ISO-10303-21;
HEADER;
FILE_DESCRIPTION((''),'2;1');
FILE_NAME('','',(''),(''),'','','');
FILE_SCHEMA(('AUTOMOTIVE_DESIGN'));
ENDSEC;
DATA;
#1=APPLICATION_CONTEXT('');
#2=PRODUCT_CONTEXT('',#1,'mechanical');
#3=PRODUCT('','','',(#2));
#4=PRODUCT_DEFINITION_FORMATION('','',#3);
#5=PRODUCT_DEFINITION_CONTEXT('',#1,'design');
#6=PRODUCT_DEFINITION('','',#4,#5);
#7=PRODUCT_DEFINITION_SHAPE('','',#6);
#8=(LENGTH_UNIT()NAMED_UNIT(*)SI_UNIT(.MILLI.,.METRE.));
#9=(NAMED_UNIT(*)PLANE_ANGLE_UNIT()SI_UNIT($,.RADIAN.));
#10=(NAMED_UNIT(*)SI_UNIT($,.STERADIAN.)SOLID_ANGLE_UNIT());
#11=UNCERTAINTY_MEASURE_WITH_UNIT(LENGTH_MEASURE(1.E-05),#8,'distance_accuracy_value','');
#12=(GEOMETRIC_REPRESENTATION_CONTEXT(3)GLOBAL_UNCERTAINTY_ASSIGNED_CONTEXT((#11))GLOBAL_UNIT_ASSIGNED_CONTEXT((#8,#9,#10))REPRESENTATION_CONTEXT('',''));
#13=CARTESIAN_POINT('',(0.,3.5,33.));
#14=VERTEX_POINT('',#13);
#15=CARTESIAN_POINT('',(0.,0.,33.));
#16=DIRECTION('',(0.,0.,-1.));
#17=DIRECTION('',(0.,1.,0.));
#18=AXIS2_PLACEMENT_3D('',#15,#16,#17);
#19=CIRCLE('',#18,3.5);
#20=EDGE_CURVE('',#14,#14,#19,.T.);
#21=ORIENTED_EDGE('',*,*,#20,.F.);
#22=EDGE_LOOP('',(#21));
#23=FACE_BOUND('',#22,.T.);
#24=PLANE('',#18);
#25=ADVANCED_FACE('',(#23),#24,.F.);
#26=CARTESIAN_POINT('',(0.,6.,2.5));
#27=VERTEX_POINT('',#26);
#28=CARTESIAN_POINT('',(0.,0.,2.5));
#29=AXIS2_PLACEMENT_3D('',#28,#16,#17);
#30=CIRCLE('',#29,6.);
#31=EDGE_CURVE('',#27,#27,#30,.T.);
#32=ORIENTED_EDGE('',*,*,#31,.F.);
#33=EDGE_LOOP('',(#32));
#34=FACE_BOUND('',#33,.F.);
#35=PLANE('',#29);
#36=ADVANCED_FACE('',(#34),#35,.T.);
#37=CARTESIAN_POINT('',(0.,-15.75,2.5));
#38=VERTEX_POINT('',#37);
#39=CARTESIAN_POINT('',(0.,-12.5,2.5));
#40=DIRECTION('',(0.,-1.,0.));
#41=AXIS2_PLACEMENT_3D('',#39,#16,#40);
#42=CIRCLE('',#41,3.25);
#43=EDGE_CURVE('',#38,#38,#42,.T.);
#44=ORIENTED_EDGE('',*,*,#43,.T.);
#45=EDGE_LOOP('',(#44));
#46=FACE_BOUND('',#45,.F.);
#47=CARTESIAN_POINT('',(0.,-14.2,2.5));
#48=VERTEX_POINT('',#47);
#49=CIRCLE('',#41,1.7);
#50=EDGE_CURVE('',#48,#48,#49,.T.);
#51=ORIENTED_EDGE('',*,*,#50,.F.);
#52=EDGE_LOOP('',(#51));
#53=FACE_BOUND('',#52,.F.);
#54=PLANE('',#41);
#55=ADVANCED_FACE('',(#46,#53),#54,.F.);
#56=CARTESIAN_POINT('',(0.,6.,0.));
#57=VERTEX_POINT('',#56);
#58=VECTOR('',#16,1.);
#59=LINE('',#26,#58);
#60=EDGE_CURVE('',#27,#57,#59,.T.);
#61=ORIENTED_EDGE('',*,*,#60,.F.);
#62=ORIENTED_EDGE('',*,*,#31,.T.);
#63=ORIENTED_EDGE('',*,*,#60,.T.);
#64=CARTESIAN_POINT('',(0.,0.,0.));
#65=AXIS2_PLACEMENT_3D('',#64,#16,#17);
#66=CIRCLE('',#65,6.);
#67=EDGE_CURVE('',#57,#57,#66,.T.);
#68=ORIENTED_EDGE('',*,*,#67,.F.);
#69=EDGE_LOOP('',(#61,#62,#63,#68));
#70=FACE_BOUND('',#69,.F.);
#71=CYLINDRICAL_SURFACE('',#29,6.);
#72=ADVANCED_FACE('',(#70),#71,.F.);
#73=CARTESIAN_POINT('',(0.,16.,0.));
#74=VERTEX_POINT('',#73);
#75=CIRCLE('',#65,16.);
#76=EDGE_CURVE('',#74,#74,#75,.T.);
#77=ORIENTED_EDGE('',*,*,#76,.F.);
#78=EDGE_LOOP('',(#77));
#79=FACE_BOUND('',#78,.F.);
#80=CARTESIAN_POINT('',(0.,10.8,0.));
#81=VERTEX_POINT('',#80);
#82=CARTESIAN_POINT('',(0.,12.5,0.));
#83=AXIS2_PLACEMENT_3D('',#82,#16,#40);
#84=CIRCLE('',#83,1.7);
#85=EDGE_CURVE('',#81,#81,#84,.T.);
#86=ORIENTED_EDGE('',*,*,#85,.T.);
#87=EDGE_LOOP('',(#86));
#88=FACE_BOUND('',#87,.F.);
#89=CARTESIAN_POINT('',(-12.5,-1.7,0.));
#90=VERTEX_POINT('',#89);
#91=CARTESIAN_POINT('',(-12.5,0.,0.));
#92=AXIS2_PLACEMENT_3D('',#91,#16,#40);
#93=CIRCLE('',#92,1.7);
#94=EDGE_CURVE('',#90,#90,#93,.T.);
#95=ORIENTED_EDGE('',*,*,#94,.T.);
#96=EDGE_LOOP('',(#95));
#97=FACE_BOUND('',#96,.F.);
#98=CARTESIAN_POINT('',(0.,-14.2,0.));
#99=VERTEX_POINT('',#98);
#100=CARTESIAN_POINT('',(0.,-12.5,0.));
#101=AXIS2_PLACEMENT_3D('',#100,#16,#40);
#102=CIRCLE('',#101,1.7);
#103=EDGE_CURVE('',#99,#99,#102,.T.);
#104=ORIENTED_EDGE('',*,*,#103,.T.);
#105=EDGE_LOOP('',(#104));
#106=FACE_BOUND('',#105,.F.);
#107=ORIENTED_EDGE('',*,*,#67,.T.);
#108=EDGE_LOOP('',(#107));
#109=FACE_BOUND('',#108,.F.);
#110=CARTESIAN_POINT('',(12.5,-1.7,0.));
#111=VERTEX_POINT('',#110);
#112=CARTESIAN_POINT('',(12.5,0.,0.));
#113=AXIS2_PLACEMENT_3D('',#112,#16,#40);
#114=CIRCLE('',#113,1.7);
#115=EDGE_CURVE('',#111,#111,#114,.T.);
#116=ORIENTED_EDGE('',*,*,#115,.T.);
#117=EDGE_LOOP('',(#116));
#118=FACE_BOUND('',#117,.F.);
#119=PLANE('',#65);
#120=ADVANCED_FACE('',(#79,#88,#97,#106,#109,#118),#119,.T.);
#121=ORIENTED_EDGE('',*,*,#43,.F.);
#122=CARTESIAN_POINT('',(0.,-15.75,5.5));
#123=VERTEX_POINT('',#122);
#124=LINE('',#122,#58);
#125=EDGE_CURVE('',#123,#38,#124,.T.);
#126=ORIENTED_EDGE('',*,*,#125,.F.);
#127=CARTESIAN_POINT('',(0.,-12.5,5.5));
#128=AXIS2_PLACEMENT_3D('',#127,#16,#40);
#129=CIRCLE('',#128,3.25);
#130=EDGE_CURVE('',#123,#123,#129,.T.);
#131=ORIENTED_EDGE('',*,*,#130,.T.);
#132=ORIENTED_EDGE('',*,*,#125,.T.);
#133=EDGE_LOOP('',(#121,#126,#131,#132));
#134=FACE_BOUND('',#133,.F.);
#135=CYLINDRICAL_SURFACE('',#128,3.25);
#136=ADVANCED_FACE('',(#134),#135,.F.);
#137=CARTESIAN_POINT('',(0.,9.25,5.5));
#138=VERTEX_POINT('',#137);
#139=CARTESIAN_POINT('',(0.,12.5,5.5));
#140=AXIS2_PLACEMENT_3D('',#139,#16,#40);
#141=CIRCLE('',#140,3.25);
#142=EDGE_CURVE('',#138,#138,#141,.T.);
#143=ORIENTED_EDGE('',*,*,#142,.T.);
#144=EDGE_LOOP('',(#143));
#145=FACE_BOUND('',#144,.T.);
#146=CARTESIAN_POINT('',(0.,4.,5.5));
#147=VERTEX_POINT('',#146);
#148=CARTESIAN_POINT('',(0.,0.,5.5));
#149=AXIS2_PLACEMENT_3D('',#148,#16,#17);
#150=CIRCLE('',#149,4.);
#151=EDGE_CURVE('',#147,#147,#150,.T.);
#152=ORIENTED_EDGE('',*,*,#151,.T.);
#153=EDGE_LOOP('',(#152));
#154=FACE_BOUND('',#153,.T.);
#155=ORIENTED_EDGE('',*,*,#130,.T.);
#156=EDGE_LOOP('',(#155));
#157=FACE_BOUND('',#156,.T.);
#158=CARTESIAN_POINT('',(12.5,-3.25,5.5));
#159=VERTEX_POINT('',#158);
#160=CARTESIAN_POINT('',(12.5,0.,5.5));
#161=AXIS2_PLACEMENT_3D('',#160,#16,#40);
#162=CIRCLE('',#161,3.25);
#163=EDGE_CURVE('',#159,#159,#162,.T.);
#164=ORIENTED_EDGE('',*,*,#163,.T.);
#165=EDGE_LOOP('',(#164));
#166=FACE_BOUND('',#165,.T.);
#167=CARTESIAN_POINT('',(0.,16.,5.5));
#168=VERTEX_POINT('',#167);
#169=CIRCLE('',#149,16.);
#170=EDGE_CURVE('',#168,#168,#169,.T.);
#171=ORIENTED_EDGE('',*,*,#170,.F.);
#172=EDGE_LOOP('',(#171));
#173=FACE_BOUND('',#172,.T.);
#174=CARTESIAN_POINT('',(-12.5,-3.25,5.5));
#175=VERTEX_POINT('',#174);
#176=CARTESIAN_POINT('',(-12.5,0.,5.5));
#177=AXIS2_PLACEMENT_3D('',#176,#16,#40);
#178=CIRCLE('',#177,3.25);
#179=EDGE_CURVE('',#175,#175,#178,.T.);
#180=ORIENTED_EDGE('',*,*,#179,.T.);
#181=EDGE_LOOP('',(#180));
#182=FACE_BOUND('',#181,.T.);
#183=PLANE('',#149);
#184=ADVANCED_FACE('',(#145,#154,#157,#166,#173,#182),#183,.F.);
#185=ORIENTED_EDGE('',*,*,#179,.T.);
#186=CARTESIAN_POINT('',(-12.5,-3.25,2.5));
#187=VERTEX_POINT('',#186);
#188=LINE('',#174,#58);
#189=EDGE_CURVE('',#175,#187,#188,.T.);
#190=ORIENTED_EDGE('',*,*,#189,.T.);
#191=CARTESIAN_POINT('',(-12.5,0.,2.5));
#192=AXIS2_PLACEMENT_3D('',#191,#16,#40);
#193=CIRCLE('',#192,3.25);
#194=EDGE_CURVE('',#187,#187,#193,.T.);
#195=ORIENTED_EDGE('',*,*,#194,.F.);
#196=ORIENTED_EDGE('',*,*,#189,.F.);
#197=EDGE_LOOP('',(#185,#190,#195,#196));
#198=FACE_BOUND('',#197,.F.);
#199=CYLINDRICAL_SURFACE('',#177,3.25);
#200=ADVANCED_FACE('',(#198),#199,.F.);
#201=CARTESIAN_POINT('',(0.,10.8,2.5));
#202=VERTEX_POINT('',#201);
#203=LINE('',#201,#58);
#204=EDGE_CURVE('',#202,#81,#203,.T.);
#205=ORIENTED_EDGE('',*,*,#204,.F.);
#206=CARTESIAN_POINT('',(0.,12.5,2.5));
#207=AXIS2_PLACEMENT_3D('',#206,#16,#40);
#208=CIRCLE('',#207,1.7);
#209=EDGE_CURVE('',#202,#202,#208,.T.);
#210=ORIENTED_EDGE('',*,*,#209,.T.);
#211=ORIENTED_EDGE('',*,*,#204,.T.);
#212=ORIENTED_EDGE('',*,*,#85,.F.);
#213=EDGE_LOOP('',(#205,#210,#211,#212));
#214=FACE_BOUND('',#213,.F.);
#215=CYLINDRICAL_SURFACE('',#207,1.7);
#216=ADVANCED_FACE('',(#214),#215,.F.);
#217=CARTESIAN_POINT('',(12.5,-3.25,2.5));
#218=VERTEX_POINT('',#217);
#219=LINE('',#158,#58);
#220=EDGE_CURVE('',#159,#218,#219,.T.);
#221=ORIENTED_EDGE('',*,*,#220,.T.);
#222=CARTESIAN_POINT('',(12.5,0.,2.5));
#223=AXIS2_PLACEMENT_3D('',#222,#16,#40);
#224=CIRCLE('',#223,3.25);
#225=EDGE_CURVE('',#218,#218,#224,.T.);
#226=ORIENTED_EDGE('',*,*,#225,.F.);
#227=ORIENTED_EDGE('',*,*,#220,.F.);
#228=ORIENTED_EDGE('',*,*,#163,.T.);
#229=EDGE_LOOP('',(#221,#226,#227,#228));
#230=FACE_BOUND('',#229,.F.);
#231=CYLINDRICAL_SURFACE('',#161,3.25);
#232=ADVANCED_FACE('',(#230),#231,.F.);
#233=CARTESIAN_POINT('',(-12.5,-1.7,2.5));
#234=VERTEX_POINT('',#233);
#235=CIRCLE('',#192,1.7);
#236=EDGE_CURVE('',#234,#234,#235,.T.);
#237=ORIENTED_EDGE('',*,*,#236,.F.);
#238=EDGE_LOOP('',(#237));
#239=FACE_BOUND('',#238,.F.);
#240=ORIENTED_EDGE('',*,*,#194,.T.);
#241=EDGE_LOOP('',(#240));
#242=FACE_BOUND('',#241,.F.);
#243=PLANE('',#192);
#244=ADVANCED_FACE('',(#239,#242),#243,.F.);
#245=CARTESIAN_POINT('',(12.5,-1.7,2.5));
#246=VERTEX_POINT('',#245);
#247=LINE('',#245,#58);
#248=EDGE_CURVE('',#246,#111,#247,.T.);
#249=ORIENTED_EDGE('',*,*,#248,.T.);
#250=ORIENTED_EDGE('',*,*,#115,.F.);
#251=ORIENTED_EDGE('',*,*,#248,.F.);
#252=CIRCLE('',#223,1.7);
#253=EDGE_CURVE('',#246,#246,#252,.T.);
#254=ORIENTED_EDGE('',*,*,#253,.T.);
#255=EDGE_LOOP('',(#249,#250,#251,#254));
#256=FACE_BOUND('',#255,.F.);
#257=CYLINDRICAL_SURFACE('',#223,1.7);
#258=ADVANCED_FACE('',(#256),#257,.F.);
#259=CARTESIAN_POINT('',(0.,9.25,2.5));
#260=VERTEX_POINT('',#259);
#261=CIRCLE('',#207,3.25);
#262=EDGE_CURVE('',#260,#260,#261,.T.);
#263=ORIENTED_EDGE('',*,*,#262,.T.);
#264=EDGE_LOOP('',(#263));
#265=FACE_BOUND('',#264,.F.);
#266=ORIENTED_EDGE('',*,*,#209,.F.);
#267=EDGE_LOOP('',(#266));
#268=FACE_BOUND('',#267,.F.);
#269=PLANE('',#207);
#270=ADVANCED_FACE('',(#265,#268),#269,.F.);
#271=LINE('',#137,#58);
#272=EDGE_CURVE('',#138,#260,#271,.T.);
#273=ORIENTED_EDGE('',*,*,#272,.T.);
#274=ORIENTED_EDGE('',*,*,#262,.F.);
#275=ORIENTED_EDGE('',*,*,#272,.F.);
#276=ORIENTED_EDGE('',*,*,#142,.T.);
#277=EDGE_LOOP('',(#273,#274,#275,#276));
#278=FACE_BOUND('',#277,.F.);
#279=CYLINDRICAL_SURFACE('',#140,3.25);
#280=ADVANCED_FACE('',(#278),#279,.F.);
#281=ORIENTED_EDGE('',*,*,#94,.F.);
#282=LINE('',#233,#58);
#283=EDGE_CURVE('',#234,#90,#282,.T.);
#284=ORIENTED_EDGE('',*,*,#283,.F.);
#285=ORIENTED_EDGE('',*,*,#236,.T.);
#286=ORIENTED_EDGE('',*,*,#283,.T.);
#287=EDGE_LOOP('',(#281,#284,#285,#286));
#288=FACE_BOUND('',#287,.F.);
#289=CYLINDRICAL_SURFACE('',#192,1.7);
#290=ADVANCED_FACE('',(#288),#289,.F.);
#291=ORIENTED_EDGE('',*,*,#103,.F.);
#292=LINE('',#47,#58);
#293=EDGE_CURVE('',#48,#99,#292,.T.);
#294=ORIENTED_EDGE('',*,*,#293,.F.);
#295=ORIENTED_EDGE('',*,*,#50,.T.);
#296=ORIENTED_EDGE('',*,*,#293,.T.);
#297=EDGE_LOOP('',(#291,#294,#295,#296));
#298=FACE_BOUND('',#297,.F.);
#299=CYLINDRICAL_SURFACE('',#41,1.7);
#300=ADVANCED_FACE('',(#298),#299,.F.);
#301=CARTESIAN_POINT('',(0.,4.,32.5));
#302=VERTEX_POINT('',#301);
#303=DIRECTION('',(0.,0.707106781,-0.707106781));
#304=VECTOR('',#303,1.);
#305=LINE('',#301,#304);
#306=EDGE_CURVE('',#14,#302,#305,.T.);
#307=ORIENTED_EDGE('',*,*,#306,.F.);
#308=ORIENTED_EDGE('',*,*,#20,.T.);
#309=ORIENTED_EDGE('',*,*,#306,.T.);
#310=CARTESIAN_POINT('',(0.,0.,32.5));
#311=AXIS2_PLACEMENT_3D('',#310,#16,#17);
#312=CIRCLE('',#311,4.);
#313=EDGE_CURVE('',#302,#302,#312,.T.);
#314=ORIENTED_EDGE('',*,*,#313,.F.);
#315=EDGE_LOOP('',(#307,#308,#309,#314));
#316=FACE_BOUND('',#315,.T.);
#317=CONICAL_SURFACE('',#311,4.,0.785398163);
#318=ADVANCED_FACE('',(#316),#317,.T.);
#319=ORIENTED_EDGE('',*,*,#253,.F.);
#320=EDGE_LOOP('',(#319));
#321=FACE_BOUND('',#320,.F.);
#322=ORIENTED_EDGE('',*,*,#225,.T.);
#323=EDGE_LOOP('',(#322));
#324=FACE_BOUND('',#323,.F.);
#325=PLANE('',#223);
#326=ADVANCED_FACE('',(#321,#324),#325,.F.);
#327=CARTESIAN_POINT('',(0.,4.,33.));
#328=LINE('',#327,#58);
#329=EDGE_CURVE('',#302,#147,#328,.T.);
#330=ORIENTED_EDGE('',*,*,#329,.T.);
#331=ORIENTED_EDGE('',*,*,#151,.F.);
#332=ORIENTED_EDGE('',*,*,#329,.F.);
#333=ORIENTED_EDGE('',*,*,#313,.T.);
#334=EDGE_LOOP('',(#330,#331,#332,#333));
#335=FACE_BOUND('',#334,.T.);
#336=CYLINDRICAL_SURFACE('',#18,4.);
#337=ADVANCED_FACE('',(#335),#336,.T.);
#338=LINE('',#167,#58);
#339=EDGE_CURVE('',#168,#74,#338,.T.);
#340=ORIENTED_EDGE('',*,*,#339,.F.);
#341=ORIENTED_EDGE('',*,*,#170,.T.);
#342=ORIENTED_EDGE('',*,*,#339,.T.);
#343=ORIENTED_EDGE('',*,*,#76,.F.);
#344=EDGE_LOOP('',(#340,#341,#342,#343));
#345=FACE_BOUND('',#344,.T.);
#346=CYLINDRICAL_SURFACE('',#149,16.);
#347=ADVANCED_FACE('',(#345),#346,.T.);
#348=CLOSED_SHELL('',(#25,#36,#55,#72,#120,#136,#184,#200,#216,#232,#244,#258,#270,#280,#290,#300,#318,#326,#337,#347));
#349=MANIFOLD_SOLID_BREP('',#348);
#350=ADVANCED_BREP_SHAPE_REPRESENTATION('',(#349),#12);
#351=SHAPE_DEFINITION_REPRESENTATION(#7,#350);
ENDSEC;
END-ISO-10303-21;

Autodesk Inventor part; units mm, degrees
ref_plane "YZ Plane" through (0, 0, 0) normal (1, 0, 0) x (0, 1, 0)
ref_plane "XZ Plane" through (0, 0, 0) normal (0, 1, 0) x (-1, 0, 0)
ref_plane "XY Plane" through (0, 0, 0) normal (0, 0, 1) x (1, 0, 0)
sketch "スケッチ1" plane through (0, 0, 0) normal (1, 0, 0) x (0, 1, 0)
  line L0 (0, 33) -> (4, 33)
  line L1 (4, 33) -> (4, 5.5)
  line L2 (4, 5.5) -> (16, 5.5)
  line L3 (16, 5.5) -> (16, 0)
  line L4 (0, 33) -> (0, 2.5)
  line L5 (0, 2.5) -> (6, 2.5)
  line L6 (6, 2.5) -> (6, 0)
  line L7 (6, 0) -> (16, 0)
  point P0 (0, 0)
  dimension "d0" = 4
  dimension "d2" = 5.5
  dimension "d3" = 27.5
  dimension "d22" = 2.5
  dimension "d23" = 6
  dimension "d24" = 16
revolve "回転1" add sketch "スケッチ1" angle 360 about axis through (0, 0, 33) along (0, 0, -1)
sketch "スケッチ2" plane through (0, 0, 5.5) normal (0, 0, 1) x (1, 0, 0)
  circle A0 centre (0, 0) radius 12.5
  point P0 (0, 0)
  point P1 (0, 12.5)
  point P2 (-12.5, 0)
  point P3 (0, -12.5)
  point P4 (12.5, 0)
  dimension "d5" = 25
  dimension "d8" = 360
hole "穴1" at (0, 12.5, 5.5) at (-12.5, 0, 5.5) at (0, -12.5, 5.5) at (12.5, 0, 5.5) direction (0, 0, -1) diameter 3.4 end through all counterbore diameter 6.5 counterbore depth 3 clearance for "Socket Head Cap Screw" size "M3" standard "Ansi Metric M Profile"
thread "ねじ1" size "M8x1.25" class "6g" standard "ANSI Metric M Profile" length 17 offset 10.5
chamfer "面取り1" distance 0.5 angle 45 1 edges at (0, -4, 33)
properties part number "adapter1" material "アルミニウム 6061"
